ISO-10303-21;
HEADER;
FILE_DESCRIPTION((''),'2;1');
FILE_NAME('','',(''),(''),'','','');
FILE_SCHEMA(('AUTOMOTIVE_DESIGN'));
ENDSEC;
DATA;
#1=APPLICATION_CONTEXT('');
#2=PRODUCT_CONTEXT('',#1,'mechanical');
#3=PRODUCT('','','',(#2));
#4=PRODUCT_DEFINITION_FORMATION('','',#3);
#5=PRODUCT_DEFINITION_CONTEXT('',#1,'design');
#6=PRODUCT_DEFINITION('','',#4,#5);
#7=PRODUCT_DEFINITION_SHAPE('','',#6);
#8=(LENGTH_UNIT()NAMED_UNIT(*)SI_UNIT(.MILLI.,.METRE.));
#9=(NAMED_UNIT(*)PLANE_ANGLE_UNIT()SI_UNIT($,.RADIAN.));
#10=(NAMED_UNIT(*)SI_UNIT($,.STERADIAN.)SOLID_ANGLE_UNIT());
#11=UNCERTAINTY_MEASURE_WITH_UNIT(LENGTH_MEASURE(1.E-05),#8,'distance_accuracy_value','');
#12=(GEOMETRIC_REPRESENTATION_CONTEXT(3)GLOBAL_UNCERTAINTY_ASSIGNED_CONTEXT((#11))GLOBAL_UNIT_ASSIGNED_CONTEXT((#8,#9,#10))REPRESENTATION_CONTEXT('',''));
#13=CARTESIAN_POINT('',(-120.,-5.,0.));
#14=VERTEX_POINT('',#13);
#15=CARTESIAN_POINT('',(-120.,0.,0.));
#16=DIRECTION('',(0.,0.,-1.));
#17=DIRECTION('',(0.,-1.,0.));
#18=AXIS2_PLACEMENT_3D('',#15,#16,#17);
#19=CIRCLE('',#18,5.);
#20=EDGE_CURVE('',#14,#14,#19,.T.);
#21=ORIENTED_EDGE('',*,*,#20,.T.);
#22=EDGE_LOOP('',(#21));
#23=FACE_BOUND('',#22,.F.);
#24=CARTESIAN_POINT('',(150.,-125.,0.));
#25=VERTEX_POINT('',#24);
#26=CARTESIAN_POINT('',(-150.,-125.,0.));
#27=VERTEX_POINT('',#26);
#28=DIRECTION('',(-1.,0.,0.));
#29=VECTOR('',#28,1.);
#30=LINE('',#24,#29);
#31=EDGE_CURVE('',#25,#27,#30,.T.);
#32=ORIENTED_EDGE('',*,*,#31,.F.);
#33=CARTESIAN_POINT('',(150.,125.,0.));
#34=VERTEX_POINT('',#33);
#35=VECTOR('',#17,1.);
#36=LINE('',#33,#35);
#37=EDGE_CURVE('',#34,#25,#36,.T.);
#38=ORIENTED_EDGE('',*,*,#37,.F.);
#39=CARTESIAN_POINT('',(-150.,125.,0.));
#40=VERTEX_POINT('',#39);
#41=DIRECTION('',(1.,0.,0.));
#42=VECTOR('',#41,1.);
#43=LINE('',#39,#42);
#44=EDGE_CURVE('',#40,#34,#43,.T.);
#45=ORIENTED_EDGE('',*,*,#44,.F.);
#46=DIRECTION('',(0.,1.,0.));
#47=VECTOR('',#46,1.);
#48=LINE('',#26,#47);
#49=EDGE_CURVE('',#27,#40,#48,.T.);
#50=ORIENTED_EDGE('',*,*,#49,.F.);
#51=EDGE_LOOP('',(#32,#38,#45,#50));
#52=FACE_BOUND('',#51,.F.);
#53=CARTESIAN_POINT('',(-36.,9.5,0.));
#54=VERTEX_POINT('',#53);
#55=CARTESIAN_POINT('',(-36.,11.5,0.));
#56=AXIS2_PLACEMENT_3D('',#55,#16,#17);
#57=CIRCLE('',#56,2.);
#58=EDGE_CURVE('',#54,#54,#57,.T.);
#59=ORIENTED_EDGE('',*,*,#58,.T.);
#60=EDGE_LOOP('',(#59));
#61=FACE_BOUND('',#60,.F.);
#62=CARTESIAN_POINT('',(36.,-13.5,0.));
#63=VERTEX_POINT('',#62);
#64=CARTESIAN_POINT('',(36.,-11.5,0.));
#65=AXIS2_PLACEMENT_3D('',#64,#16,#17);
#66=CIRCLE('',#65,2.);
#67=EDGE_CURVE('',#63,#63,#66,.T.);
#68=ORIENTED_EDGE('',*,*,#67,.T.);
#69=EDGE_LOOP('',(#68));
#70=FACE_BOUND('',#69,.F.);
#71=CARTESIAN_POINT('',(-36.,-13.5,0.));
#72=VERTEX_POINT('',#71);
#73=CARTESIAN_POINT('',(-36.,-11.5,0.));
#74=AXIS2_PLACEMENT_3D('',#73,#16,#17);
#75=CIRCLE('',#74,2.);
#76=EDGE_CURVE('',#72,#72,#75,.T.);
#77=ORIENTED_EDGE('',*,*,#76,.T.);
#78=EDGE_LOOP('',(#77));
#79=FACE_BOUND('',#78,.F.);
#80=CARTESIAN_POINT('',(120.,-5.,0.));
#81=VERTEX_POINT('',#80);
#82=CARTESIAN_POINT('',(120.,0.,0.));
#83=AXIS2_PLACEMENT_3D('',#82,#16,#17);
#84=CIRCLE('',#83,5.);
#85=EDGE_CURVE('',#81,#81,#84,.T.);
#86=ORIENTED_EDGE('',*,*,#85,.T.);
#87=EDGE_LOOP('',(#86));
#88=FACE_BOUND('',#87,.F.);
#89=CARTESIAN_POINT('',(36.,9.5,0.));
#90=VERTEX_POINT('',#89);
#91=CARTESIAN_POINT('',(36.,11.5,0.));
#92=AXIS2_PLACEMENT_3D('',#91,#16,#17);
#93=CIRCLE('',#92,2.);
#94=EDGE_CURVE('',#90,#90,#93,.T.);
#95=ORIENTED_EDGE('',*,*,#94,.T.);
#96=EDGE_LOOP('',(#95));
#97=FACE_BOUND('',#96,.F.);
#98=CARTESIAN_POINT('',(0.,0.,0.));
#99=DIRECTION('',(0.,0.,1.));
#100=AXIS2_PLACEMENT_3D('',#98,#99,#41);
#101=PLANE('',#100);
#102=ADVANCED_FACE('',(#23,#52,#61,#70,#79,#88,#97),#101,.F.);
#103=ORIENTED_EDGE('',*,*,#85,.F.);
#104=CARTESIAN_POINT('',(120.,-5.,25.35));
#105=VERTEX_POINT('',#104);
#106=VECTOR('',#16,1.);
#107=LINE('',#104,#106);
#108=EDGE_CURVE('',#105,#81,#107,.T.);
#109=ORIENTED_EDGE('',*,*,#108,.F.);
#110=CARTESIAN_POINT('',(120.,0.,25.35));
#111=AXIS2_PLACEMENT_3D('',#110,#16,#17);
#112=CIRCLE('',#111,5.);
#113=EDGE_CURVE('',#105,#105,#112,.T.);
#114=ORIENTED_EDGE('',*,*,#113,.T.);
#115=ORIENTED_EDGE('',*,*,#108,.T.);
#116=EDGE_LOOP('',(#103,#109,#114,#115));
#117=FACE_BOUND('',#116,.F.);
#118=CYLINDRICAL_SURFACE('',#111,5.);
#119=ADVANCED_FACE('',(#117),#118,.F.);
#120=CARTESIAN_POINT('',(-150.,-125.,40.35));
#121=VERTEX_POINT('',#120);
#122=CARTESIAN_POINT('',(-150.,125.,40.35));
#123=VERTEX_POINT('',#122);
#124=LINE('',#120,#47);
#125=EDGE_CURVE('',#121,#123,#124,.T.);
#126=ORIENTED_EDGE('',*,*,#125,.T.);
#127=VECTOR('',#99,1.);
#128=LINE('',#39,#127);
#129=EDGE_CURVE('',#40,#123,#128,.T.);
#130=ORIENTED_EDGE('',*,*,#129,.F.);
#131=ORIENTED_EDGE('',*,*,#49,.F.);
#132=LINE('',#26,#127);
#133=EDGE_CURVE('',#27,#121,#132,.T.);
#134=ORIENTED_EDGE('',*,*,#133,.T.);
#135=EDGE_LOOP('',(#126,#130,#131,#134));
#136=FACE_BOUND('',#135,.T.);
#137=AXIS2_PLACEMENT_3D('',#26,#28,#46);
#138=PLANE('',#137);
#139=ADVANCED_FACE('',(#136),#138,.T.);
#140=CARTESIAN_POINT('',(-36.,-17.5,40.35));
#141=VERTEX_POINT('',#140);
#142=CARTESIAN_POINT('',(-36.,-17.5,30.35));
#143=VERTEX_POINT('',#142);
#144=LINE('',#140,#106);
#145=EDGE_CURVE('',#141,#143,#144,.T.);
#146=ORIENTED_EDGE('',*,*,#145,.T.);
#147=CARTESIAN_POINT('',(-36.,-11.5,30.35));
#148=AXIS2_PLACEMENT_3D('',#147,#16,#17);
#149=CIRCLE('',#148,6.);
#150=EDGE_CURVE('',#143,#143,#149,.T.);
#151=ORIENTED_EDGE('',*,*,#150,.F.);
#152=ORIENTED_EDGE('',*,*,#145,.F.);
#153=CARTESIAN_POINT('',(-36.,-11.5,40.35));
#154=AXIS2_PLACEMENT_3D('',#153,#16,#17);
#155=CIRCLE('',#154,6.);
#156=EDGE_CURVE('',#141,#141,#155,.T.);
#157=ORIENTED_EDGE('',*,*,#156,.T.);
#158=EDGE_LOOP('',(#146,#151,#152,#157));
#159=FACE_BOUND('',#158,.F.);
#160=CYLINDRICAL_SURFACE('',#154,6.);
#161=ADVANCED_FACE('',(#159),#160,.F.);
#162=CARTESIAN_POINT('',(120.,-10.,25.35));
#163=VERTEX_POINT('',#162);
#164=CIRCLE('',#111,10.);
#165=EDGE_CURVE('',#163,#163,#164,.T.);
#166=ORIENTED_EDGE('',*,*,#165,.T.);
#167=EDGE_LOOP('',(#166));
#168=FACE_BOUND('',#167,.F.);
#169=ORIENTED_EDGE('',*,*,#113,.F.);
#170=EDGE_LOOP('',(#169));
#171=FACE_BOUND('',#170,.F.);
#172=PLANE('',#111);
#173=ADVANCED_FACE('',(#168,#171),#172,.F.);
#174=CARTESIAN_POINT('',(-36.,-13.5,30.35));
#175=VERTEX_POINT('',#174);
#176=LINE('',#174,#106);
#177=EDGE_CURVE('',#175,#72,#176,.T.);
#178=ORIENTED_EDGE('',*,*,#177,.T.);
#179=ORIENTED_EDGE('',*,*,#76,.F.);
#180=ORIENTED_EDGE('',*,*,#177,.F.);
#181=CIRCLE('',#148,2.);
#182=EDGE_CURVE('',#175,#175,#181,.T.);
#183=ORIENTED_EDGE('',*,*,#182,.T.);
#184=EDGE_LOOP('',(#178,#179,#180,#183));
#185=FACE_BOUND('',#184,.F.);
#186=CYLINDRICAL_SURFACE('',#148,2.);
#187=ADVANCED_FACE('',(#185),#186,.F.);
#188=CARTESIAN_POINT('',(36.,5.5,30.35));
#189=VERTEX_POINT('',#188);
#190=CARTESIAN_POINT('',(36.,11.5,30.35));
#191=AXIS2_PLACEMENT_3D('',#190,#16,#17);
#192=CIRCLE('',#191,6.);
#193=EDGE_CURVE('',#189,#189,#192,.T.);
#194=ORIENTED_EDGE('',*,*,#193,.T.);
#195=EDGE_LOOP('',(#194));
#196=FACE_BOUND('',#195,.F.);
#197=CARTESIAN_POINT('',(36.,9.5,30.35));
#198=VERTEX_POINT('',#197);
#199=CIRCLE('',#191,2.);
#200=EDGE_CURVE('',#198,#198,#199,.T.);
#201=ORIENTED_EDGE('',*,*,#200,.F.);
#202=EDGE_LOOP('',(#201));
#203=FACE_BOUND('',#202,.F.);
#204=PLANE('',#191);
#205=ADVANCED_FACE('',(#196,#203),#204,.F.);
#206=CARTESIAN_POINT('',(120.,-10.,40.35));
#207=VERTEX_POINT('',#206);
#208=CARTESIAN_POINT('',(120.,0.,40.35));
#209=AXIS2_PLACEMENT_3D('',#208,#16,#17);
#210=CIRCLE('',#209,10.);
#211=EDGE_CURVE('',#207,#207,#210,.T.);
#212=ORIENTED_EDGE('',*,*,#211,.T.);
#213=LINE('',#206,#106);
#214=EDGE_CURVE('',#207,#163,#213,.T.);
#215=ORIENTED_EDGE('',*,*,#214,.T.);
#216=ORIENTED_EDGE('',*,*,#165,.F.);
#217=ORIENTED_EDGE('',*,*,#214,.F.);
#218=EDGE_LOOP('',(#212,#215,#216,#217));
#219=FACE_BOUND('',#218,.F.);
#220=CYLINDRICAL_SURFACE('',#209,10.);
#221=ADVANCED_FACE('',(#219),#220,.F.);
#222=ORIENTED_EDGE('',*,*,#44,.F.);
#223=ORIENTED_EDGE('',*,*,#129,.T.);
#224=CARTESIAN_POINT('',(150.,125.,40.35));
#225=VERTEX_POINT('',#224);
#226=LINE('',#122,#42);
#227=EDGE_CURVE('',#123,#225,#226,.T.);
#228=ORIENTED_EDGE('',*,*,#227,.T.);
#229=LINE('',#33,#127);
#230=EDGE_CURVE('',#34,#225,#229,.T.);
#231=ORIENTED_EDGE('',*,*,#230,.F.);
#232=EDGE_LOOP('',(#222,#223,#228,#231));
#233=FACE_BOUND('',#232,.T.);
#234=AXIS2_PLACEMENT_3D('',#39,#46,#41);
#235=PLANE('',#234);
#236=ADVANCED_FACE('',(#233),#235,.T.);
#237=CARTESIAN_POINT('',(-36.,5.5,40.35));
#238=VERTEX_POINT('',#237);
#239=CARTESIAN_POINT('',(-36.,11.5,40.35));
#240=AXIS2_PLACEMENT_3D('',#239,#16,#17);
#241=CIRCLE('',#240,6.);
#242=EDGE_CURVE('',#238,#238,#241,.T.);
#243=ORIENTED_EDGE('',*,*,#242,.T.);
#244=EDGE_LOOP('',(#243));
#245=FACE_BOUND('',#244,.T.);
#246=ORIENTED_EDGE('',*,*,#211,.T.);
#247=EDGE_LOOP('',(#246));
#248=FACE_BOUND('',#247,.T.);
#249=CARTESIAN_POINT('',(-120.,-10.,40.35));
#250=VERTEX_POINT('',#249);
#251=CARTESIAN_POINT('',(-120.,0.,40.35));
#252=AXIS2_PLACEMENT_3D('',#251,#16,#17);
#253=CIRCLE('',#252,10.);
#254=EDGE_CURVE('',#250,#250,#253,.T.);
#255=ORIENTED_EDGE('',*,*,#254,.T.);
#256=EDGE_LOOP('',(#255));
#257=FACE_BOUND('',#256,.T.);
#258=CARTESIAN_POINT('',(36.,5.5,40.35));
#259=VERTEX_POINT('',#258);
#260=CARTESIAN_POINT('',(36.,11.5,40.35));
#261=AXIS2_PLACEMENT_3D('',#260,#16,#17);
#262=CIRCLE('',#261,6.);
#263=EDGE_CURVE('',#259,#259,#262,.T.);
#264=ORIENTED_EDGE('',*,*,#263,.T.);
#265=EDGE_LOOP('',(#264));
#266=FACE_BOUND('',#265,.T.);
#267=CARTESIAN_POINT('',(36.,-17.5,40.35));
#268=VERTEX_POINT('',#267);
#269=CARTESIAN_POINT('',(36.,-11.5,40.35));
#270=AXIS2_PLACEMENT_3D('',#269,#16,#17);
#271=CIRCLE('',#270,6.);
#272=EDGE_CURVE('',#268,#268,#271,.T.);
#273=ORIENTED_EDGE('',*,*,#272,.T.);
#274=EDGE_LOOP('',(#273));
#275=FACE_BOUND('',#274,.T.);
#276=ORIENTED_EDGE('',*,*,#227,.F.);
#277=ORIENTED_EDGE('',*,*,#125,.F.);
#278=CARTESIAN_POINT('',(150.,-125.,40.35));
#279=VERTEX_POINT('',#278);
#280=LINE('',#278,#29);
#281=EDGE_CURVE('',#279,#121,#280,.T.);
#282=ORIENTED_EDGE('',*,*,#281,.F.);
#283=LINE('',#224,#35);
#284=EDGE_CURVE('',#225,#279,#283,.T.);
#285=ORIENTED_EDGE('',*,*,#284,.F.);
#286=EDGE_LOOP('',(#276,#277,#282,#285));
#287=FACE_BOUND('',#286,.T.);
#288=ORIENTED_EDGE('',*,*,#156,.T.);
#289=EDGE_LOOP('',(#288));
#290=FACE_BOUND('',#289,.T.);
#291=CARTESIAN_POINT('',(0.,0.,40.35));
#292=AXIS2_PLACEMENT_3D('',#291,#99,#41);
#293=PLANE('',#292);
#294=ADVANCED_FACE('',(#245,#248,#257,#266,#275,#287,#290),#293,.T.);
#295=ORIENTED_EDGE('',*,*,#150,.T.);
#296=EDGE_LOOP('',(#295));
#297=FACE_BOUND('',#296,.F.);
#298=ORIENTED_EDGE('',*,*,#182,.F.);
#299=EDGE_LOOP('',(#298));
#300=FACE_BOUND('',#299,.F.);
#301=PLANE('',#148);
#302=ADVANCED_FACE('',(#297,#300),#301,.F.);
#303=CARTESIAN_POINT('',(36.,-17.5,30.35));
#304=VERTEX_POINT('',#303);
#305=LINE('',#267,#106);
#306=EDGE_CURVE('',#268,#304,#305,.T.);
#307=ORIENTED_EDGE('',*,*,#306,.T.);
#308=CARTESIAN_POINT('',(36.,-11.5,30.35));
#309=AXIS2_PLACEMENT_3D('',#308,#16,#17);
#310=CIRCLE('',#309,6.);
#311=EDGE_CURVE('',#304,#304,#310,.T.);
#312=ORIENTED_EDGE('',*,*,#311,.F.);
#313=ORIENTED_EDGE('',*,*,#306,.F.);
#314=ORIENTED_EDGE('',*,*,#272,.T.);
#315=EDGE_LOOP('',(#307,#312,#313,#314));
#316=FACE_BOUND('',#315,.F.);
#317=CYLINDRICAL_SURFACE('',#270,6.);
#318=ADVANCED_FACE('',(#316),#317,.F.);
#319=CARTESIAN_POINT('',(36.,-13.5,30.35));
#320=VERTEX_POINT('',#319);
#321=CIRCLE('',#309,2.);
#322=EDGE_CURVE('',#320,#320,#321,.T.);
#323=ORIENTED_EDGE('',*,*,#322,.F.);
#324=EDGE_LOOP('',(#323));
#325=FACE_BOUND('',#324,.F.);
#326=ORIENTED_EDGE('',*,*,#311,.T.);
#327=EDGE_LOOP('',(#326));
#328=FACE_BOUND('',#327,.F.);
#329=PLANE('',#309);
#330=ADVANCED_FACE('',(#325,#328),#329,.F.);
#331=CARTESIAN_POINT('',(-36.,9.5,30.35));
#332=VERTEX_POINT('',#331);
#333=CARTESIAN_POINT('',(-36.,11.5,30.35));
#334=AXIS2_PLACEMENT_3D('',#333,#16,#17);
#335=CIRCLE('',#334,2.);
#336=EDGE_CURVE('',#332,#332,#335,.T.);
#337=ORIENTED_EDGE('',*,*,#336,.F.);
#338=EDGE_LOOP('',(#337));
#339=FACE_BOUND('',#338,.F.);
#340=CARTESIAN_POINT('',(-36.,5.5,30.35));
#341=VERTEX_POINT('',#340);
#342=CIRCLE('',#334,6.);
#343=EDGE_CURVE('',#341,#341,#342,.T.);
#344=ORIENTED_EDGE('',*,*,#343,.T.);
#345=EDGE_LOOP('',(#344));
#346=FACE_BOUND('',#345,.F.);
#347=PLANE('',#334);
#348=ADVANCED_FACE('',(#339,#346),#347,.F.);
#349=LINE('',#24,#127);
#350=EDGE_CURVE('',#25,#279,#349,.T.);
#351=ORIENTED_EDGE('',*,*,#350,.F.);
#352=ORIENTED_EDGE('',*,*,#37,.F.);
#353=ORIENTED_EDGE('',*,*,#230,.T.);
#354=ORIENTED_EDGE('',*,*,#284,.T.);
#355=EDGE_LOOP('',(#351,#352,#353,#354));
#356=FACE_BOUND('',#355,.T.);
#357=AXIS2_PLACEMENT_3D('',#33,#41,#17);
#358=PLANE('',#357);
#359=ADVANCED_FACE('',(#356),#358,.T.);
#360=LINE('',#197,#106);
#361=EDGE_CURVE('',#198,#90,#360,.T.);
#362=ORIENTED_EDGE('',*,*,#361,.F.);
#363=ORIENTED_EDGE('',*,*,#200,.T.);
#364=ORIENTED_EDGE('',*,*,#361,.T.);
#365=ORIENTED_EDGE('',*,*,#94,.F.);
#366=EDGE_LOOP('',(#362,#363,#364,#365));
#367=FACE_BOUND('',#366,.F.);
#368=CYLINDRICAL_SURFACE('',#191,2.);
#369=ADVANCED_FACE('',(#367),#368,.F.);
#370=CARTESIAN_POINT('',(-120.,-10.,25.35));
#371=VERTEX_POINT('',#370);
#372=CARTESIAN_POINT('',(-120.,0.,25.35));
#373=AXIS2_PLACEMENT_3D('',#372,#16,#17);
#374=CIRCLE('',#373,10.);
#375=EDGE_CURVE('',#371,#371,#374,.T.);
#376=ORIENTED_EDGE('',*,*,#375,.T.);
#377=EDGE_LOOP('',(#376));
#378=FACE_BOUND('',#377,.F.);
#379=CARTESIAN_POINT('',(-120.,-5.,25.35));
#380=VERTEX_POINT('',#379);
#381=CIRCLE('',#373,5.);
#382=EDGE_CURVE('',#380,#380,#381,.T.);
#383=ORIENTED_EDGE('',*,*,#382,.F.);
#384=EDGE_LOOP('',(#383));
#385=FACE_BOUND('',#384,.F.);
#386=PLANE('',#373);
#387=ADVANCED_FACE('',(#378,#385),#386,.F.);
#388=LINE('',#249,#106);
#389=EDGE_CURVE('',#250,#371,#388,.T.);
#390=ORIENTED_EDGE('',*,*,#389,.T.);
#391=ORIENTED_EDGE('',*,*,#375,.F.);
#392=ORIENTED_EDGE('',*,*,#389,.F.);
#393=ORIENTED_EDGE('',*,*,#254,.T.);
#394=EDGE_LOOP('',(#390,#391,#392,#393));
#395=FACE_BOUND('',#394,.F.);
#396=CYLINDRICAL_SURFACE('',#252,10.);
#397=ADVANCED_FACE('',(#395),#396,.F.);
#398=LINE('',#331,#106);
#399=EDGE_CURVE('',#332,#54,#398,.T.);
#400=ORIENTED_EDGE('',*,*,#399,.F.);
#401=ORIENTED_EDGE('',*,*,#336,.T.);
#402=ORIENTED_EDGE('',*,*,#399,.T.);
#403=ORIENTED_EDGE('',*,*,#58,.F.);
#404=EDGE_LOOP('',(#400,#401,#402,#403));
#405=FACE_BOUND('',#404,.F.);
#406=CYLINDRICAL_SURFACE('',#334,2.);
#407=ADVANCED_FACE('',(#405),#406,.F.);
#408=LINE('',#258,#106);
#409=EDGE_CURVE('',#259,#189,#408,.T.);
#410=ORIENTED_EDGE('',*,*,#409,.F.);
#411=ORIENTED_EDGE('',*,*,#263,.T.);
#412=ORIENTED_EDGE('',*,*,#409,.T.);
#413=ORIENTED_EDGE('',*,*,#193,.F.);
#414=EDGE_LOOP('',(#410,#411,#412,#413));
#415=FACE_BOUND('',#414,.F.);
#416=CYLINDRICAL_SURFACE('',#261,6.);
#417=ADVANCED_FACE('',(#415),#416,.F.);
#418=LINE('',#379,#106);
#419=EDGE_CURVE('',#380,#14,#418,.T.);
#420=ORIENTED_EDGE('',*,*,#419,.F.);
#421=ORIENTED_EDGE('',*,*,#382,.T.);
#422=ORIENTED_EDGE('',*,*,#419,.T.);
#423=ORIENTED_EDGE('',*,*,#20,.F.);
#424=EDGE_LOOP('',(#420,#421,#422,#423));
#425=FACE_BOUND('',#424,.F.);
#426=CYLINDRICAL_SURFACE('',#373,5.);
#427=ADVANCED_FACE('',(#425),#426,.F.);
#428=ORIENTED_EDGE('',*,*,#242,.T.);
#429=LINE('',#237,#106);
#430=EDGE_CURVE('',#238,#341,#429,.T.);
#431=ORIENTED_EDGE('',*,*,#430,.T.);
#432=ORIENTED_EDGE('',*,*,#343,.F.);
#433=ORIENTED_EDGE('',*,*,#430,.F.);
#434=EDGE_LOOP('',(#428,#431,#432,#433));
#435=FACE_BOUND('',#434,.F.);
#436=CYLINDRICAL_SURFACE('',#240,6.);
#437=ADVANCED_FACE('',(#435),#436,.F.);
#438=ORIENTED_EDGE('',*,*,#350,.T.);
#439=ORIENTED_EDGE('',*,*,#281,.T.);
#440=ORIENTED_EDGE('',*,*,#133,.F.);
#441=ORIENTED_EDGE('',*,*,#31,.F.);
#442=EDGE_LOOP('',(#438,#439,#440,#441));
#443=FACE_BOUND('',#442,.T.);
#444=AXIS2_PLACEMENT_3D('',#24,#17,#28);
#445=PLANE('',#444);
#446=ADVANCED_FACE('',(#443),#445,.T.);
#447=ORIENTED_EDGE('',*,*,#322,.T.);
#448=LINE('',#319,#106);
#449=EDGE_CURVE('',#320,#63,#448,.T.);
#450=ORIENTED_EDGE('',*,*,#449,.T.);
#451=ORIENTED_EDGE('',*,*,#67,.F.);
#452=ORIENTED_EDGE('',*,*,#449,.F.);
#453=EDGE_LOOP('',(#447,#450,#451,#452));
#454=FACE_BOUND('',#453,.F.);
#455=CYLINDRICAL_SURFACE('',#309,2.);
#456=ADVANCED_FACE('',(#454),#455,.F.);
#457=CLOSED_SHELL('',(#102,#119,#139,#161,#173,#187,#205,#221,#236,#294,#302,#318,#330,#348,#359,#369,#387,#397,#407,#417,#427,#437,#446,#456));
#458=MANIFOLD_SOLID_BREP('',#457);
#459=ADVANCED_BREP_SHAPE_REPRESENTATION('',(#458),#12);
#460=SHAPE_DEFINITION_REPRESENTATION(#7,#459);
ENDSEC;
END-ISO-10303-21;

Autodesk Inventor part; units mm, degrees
ref_plane "YZ Plane" through (0, 0, 0) normal (1, 0, 0) x (0, 1, 0)
ref_plane "XZ Plane" through (0, 0, 0) normal (0, 1, 0) x (-1, 0, 0)
ref_plane "XY Plane" through (0, 0, 0) normal (0, 0, 1) x (1, 0, 0)
sketch "Sketch1" plane through (0, 0, 0) normal (0, 0, 1) x (1, 0, 0)
  line L0 (-150, 125) -> (150, 125)
  line L1 (150, 125) -> (150, -125)
  line L2 (150, -125) -> (-150, -125)
  line L3 (-150, -125) -> (-150, 125)
  point P0 (0, 0)
  point P1 (0, 125)
  point P2 (150, 0)
  dimension "d0" = 300
  dimension "d1" = 250
extrude "Extrusion1" add sketch "Sketch1" along normal blind 40.35
sketch "Sketch2" plane through (0, 0, 40.35) normal (0, 0, 1) x (1, 0, 0)
  circle A0 centre (-120, 0) radius 5
  line L0 (150, 125) -> (-150, 125) construction
  line L1 (0, 125) -> (0, -125) construction
  line L2 (-150, -125) -> (150, -125) construction
  circle A1 centre (120, 0) radius 5
  point P0 (0, 0)
  dimension "d4" = 10
  dimension "d5" = 120
hole "Hole1" at (-120, 0, 40.35) at (120, 0, 40.35) direction (0, 0, -1) diameter 10 end through all counterbore diameter 20 counterbore depth 15
sketch "Sketch4" plane through (0, 0, 40.35) normal (0, 0, 1) x (1, 0, 0)
  circle A0 centre (-36, 11.5) radius 2
  line L0 (150, 125) -> (-150, 125) construction
  line L1 (0, 125) -> (0, -125) construction
  line L2 (-150, -125) -> (150, -125) construction
  line L3 (150, -125) -> (150, 125) construction
  line L4 (150, 0) -> (-150, 0) construction
  line L5 (-150, 125) -> (-150, -125) construction
  circle A1 centre (-36, -11.5) radius 2
  line L6 (0, -125) -> (0, 125) construction
  circle A2 centre (36, 11.5) radius 2
  circle A3 centre (36, -11.5) radius 2
  point P0 (0, 0)
  dimension "d13" = 4
  dimension "d14" = 11.5
  dimension "d15" = 36
hole "Hole2" at (-36, 11.5, 40.35) at (36, 11.5, 40.35) at (36, -11.5, 40.35) at (-36, -11.5, 40.35) direction (0, 0, -1) diameter 4 end through all counterbore diameter 12 counterbore depth 10
properties part number "base de madera grande"
